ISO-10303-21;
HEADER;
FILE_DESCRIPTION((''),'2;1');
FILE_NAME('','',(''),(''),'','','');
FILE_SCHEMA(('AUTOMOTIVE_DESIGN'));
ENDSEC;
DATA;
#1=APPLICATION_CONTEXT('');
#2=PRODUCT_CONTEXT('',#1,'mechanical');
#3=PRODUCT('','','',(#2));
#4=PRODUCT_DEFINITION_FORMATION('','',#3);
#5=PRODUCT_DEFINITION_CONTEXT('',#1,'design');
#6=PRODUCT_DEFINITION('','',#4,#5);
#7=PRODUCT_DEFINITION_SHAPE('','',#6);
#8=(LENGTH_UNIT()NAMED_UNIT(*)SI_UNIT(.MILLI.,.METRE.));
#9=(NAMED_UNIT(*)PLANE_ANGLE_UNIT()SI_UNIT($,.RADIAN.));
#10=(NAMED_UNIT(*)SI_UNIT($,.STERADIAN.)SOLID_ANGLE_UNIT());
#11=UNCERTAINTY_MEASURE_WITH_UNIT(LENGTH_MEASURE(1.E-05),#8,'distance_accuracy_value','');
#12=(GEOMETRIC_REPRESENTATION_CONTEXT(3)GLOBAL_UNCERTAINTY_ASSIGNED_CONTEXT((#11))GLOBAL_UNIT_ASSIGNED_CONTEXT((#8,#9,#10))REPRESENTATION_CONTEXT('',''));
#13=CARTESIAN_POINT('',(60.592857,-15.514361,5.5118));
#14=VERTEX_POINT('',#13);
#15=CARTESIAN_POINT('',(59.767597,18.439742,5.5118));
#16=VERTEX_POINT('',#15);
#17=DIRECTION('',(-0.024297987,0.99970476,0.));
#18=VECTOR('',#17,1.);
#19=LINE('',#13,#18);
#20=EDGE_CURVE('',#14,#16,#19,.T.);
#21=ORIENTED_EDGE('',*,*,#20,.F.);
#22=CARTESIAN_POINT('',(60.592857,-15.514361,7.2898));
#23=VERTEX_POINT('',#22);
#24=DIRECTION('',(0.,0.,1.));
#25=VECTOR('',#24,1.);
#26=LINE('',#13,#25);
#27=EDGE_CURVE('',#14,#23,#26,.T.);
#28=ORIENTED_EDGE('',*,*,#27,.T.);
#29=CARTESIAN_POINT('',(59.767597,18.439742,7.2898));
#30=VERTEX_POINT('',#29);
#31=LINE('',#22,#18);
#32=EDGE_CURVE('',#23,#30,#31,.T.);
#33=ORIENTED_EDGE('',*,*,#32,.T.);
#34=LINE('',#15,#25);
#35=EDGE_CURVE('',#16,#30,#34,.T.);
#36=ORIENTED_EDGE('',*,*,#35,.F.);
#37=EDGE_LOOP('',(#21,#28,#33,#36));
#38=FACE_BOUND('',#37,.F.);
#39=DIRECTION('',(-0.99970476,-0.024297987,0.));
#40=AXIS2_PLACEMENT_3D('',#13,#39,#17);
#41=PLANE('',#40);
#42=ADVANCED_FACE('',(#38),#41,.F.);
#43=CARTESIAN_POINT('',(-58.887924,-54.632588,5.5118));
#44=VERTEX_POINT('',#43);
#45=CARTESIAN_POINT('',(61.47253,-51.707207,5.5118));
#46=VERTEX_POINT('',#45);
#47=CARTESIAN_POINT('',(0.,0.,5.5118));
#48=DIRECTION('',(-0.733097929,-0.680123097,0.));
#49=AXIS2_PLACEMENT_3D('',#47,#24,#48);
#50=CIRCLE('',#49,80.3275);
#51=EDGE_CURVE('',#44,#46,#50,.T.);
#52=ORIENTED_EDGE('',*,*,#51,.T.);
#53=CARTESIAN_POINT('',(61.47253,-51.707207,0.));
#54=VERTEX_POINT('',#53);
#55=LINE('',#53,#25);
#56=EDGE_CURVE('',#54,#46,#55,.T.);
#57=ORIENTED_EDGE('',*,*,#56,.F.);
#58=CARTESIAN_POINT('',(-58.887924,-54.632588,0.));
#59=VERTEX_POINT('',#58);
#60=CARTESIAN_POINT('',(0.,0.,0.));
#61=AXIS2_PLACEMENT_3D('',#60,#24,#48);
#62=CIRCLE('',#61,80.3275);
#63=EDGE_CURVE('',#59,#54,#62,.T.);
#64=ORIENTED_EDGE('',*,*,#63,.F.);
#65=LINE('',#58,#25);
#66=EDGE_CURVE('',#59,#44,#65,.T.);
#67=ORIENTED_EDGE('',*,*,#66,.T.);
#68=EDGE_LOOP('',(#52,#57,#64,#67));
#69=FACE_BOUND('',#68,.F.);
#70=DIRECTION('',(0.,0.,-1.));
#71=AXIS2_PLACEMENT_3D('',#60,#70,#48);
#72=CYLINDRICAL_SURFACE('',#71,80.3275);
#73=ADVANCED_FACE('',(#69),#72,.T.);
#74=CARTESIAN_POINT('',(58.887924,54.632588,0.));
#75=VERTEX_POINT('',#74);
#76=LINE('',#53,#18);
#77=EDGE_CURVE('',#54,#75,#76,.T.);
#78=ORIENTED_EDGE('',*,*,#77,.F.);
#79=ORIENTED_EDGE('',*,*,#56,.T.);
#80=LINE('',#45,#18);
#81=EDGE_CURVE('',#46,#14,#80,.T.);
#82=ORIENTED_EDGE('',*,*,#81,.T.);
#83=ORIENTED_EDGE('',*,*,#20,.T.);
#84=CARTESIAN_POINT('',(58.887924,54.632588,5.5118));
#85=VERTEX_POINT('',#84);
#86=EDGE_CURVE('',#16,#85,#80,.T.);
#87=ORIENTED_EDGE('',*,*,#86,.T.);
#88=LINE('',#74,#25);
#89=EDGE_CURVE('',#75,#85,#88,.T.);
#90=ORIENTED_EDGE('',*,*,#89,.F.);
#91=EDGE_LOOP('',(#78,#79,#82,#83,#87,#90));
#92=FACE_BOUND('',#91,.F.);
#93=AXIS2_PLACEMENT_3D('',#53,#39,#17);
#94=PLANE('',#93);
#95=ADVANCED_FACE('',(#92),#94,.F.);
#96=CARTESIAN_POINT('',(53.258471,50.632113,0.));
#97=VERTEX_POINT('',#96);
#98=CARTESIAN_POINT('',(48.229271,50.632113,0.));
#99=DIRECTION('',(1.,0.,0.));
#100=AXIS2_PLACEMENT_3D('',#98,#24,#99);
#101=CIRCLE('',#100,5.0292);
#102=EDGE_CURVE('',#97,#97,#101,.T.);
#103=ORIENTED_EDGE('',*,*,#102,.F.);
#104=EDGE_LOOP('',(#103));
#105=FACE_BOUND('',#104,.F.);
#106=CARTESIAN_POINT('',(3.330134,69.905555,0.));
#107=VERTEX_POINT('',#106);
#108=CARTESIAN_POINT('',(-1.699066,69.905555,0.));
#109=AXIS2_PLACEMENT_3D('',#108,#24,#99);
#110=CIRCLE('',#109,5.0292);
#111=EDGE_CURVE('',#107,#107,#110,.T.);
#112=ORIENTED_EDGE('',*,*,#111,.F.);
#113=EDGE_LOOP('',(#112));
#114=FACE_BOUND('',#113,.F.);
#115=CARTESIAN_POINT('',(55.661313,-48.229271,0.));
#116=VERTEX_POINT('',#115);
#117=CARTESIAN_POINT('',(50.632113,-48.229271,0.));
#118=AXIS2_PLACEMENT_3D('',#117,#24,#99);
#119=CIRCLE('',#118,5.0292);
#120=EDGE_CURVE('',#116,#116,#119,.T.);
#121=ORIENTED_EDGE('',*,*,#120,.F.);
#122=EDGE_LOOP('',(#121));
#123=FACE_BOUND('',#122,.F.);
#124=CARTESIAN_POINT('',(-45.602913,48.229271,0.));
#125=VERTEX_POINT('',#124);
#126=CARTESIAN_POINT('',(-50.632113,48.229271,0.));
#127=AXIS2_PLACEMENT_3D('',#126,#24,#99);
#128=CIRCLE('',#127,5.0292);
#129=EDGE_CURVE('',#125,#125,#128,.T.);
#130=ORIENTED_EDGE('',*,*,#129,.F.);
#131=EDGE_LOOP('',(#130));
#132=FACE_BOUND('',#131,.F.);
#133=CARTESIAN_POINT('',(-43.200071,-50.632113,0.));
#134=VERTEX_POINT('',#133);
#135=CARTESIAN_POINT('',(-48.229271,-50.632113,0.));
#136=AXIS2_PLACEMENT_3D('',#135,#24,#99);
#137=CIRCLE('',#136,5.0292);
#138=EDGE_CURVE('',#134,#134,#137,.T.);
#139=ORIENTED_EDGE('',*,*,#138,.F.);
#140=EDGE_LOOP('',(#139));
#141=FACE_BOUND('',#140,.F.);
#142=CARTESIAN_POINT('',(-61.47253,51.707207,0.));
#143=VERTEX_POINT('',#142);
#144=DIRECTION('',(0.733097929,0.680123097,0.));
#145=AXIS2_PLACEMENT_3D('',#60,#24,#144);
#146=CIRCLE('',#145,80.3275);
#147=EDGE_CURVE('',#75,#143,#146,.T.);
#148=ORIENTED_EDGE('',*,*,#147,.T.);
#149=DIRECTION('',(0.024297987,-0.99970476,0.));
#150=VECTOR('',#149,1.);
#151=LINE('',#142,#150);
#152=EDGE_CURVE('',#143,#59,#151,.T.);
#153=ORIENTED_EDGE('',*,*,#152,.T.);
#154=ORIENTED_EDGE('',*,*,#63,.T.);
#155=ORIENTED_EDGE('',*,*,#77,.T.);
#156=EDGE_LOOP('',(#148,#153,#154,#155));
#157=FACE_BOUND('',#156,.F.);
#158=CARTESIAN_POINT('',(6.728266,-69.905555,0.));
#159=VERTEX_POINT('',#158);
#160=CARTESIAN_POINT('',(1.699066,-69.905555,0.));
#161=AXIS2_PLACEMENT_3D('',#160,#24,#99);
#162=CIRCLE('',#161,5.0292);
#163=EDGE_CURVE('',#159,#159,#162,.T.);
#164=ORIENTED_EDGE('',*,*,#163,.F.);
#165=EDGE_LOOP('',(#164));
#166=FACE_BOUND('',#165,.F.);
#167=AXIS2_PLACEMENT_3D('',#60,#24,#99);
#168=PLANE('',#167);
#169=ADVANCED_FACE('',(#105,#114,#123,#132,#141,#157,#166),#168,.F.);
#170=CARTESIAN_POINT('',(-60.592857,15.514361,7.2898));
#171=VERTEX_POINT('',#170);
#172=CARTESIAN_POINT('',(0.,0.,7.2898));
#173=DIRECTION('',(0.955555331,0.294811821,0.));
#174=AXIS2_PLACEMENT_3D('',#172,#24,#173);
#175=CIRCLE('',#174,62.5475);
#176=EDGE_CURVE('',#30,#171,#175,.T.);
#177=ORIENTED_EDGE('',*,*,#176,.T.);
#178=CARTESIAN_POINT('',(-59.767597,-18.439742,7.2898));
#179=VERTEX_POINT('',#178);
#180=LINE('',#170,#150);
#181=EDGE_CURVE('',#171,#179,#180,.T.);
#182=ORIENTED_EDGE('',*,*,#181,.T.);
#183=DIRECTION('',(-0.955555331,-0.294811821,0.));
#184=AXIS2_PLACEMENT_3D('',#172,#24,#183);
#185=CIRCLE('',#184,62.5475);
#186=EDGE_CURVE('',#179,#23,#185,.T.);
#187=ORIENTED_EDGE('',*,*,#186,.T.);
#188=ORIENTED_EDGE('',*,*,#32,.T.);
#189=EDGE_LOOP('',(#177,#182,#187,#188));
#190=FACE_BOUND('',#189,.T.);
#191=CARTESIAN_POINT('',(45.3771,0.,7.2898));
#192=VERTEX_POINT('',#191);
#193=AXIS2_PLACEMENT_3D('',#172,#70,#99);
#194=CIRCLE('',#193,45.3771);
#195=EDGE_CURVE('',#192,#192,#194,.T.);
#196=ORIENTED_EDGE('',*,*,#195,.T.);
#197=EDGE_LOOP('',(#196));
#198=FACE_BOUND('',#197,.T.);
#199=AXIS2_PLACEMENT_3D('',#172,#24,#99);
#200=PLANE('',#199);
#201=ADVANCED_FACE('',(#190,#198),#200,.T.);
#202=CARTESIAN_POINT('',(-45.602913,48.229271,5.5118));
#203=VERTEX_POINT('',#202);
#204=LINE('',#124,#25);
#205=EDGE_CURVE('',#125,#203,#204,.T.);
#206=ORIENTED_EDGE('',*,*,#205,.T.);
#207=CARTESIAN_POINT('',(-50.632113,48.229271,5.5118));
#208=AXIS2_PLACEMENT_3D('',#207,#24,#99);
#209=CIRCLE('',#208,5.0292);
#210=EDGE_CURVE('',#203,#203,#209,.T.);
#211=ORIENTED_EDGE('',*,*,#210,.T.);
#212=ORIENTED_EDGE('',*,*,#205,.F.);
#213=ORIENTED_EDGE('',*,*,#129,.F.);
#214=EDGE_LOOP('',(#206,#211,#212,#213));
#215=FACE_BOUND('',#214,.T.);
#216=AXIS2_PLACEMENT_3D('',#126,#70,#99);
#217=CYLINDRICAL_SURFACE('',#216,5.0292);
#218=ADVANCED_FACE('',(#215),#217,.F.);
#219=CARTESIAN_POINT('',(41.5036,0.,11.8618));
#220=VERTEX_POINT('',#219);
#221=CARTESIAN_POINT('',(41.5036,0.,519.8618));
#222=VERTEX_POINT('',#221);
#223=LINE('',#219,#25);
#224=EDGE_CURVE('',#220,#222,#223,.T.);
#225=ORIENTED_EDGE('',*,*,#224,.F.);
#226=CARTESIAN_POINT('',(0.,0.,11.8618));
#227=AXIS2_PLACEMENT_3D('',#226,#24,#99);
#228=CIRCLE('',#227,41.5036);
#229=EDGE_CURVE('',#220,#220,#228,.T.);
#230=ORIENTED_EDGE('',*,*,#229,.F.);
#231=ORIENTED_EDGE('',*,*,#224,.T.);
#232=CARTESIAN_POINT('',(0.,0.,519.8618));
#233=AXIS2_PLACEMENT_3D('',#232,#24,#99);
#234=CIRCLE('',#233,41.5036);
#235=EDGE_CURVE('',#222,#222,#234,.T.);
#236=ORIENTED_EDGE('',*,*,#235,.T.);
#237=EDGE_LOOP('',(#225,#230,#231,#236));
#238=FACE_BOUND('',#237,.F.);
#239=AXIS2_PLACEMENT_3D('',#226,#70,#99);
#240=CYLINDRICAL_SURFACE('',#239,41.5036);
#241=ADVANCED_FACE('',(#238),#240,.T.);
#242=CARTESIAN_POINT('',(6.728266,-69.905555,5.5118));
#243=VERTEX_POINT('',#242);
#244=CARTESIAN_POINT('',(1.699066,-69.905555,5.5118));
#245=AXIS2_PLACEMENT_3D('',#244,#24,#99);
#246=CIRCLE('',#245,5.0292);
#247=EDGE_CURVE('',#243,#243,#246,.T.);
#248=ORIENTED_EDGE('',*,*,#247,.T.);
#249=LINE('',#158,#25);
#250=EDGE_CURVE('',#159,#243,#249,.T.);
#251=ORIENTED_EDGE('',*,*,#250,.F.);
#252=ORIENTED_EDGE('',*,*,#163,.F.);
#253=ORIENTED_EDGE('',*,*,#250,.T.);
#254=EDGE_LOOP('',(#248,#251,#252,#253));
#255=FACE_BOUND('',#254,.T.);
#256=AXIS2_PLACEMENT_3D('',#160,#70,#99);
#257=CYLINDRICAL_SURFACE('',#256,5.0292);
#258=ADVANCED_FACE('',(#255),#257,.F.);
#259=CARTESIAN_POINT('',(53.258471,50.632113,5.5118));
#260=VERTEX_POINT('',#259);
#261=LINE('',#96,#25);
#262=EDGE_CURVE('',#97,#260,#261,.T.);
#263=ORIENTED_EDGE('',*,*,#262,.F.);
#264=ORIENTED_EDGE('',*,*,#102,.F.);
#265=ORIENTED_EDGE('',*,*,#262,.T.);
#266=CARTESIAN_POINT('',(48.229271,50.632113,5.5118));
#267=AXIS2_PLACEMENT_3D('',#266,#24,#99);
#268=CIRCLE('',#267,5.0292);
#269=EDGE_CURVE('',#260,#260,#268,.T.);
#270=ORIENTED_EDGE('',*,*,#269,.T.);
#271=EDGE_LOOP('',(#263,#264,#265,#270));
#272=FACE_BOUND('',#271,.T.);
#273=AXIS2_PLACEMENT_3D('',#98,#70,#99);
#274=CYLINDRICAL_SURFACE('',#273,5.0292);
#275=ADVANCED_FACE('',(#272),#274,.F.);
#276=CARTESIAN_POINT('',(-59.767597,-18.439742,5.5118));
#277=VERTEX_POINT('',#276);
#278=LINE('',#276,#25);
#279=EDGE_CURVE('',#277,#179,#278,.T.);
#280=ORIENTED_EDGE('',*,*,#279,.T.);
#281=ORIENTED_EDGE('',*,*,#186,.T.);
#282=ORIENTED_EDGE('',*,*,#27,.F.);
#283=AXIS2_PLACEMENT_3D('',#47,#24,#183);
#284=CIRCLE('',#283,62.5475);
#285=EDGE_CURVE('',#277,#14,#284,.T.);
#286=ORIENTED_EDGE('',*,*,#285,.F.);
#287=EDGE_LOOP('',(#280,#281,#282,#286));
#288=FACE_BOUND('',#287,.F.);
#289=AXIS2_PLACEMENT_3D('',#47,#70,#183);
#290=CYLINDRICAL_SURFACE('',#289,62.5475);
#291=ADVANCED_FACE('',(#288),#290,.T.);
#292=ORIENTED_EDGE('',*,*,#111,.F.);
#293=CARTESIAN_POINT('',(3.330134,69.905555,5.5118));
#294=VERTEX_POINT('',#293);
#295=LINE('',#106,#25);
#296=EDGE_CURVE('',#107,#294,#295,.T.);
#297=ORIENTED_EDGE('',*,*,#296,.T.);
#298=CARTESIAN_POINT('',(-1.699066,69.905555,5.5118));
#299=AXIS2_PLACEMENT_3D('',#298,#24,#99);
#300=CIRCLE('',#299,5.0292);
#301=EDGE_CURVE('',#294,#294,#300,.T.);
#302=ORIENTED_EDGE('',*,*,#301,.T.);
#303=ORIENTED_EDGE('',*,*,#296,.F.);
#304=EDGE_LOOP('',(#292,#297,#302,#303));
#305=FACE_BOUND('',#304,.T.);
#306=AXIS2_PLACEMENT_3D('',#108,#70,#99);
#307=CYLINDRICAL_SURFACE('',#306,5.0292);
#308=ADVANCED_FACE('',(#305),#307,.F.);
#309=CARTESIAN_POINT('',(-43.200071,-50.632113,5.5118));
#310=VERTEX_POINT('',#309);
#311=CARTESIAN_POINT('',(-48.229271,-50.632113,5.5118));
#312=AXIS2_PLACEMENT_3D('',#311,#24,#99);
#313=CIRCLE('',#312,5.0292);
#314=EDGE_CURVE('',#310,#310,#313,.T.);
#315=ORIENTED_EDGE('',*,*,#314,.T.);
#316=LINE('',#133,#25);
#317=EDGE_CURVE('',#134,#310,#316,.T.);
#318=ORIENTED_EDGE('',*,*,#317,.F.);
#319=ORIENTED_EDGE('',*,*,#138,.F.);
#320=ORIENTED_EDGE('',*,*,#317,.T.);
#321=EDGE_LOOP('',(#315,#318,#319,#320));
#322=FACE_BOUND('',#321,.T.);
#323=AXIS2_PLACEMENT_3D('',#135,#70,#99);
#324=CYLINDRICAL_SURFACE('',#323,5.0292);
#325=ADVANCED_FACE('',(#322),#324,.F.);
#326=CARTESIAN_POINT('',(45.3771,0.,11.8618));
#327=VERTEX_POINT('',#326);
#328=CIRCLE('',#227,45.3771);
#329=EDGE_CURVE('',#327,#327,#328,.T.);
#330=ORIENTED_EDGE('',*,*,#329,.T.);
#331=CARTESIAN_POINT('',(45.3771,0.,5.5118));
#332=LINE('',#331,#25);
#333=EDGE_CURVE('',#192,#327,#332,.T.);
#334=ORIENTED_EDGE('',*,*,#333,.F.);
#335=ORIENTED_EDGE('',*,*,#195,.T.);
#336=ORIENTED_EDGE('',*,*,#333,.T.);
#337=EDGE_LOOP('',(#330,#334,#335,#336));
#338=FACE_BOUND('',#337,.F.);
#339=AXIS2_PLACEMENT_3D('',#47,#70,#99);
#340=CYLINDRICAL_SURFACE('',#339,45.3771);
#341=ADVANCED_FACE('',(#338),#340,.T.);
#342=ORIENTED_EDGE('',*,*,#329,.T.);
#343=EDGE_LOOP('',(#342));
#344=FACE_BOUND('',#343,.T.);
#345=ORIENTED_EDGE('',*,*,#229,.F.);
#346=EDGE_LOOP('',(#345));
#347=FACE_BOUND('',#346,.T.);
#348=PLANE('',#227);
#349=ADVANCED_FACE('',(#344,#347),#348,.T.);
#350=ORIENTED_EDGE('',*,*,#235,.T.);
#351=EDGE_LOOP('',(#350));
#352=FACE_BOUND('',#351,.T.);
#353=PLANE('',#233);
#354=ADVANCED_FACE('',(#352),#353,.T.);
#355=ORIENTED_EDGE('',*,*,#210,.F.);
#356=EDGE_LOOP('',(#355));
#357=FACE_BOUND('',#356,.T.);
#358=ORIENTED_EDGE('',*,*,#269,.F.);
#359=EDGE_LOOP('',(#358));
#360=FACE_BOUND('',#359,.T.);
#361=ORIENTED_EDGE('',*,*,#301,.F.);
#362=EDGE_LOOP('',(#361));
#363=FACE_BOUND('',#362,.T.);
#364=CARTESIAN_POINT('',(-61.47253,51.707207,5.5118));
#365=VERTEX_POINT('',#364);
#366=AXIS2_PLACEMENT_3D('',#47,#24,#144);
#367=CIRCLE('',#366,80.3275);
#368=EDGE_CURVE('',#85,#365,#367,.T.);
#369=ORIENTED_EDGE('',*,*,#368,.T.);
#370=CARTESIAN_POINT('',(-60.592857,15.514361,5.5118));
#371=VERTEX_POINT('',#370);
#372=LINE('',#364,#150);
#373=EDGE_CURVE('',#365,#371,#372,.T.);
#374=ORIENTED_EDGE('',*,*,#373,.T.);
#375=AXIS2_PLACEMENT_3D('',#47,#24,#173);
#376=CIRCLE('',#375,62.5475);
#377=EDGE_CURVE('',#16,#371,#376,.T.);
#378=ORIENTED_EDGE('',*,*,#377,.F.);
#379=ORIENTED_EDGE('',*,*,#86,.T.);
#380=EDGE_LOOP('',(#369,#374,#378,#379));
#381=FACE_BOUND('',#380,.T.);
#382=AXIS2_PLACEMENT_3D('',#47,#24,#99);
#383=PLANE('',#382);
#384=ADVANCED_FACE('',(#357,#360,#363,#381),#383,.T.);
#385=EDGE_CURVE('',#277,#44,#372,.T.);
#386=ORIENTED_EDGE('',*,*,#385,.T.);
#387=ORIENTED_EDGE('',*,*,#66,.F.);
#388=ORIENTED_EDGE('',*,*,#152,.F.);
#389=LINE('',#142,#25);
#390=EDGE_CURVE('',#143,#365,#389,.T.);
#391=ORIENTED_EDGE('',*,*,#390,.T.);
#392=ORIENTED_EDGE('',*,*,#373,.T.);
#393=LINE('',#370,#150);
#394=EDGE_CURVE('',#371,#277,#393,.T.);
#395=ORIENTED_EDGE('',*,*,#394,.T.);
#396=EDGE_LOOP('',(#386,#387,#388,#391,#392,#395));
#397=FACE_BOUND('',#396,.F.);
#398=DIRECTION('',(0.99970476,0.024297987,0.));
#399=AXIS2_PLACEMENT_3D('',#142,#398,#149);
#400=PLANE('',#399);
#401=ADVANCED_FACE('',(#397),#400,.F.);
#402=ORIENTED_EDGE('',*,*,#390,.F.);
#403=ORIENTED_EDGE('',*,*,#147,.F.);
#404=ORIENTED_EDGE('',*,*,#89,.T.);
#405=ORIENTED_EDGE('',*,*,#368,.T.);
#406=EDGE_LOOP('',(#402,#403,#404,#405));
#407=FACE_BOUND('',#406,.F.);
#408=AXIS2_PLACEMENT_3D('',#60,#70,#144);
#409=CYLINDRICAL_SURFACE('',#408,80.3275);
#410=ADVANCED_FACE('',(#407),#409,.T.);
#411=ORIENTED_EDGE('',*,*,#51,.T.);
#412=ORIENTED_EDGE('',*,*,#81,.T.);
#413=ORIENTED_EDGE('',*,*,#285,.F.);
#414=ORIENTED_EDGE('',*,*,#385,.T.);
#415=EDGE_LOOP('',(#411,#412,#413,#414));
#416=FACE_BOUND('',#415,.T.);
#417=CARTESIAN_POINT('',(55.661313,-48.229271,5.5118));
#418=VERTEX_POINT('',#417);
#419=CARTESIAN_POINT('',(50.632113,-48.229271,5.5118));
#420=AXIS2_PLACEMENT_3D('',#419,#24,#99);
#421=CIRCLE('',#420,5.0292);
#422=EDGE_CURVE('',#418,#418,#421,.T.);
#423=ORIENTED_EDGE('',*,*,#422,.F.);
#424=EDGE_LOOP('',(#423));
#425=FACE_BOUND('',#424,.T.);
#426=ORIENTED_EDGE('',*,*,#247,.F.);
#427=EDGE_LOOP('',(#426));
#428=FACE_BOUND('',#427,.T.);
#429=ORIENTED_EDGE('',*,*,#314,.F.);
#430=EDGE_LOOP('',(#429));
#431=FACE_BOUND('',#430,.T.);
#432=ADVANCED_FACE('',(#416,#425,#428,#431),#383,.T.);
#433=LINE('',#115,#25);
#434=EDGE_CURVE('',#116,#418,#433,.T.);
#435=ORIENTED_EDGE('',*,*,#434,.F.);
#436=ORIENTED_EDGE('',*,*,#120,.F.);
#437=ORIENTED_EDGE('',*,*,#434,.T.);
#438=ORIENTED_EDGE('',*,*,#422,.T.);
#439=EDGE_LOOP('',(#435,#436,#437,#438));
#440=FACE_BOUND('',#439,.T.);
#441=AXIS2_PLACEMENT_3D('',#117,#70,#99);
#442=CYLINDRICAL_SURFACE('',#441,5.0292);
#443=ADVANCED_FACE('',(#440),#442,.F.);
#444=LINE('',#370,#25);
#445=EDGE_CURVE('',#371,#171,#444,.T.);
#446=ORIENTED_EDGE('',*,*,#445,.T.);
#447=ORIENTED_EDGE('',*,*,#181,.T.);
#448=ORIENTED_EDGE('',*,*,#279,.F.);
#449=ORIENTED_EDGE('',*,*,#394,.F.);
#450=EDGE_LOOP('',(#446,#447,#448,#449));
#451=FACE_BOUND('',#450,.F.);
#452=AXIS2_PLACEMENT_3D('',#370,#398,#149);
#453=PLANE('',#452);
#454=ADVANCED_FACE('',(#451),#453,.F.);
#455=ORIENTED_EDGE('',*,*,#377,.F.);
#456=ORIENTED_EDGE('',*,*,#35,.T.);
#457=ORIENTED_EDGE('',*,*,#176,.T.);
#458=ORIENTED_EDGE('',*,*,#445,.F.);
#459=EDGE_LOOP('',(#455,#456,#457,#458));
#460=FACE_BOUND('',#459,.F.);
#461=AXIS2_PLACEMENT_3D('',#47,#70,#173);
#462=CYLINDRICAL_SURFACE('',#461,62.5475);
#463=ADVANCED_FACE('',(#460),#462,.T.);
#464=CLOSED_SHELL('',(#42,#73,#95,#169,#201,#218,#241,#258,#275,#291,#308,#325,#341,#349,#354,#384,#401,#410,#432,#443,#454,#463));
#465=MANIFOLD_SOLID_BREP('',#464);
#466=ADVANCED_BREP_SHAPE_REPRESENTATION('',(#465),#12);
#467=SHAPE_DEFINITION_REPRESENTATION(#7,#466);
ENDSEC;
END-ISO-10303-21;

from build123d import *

# Parameters (mm, degrees)
F0_R     = 5.0292
F1_DEPTH = 5.5118
F2_R     = 45.3771
F3_DEPTH = 6.35
F5_DEPTH = 1.778
F6_R     = 41.5036
F7_DEPTH = 508


with BuildPart() as f1:
    # F0 (on Top) → F1 (new body)
    with BuildSketch(Plane.XY):
        with BuildLine():
            Line((61.47253, -51.707207), (58.887924, 54.632588))
            ThreePointArc((58.887924, 54.632588), (-1.951797, 80.303784), (-61.47253, 51.707207))
            Line((-61.47253, 51.707207), (-58.887924, -54.632588))
            ThreePointArc((-58.887924, -54.632588), (1.951797, -80.303784), (61.47253, -51.707207))
        make_face()
        with Locations((-48.229271, -50.632113)):
            Circle(F0_R, mode=Mode.SUBTRACT)
        with Locations((1.699066, -69.905555)):
            Circle(F0_R, mode=Mode.SUBTRACT)
        with Locations((50.632113, -48.229271)):
            Circle(F0_R, mode=Mode.SUBTRACT)
        with Locations((-50.632113, 48.229271)):
            Circle(F0_R, mode=Mode.SUBTRACT)
        with Locations((-1.699066, 69.905555)):
            Circle(F0_R, mode=Mode.SUBTRACT)
        with Locations((48.229271, 50.632113)):
            Circle(F0_R, mode=Mode.SUBTRACT)
    extrude(amount=F1_DEPTH)

    # F2 (on face) → F3 (join)
    with BuildSketch(Plane.XY.offset(5.5118)):
        Circle(F2_R)
    extrude(amount=F3_DEPTH)

    # F4 (on face) → F5 (join)
    with BuildSketch(Plane.XY.offset(5.5118)):
        with BuildLine():
            Line((-60.592857, 15.514361), (-59.767597, -18.439742))
            ThreePointArc((-59.767597, -18.439742), (1.519779, -62.529033), (60.592857, -15.514361))
            Line((60.592857, -15.514361), (59.767597, 18.439742))
            ThreePointArc((59.767597, 18.439742), (-1.519779, 62.529033), (-60.592857, 15.514361))
        make_face()
    extrude(amount=F5_DEPTH)

    # F6 (on face) → F7 (join)
    with BuildSketch(Plane.XY.offset(11.8618)):
        Circle(F6_R)
    extrude(amount=F7_DEPTH)


solid = f1.part
